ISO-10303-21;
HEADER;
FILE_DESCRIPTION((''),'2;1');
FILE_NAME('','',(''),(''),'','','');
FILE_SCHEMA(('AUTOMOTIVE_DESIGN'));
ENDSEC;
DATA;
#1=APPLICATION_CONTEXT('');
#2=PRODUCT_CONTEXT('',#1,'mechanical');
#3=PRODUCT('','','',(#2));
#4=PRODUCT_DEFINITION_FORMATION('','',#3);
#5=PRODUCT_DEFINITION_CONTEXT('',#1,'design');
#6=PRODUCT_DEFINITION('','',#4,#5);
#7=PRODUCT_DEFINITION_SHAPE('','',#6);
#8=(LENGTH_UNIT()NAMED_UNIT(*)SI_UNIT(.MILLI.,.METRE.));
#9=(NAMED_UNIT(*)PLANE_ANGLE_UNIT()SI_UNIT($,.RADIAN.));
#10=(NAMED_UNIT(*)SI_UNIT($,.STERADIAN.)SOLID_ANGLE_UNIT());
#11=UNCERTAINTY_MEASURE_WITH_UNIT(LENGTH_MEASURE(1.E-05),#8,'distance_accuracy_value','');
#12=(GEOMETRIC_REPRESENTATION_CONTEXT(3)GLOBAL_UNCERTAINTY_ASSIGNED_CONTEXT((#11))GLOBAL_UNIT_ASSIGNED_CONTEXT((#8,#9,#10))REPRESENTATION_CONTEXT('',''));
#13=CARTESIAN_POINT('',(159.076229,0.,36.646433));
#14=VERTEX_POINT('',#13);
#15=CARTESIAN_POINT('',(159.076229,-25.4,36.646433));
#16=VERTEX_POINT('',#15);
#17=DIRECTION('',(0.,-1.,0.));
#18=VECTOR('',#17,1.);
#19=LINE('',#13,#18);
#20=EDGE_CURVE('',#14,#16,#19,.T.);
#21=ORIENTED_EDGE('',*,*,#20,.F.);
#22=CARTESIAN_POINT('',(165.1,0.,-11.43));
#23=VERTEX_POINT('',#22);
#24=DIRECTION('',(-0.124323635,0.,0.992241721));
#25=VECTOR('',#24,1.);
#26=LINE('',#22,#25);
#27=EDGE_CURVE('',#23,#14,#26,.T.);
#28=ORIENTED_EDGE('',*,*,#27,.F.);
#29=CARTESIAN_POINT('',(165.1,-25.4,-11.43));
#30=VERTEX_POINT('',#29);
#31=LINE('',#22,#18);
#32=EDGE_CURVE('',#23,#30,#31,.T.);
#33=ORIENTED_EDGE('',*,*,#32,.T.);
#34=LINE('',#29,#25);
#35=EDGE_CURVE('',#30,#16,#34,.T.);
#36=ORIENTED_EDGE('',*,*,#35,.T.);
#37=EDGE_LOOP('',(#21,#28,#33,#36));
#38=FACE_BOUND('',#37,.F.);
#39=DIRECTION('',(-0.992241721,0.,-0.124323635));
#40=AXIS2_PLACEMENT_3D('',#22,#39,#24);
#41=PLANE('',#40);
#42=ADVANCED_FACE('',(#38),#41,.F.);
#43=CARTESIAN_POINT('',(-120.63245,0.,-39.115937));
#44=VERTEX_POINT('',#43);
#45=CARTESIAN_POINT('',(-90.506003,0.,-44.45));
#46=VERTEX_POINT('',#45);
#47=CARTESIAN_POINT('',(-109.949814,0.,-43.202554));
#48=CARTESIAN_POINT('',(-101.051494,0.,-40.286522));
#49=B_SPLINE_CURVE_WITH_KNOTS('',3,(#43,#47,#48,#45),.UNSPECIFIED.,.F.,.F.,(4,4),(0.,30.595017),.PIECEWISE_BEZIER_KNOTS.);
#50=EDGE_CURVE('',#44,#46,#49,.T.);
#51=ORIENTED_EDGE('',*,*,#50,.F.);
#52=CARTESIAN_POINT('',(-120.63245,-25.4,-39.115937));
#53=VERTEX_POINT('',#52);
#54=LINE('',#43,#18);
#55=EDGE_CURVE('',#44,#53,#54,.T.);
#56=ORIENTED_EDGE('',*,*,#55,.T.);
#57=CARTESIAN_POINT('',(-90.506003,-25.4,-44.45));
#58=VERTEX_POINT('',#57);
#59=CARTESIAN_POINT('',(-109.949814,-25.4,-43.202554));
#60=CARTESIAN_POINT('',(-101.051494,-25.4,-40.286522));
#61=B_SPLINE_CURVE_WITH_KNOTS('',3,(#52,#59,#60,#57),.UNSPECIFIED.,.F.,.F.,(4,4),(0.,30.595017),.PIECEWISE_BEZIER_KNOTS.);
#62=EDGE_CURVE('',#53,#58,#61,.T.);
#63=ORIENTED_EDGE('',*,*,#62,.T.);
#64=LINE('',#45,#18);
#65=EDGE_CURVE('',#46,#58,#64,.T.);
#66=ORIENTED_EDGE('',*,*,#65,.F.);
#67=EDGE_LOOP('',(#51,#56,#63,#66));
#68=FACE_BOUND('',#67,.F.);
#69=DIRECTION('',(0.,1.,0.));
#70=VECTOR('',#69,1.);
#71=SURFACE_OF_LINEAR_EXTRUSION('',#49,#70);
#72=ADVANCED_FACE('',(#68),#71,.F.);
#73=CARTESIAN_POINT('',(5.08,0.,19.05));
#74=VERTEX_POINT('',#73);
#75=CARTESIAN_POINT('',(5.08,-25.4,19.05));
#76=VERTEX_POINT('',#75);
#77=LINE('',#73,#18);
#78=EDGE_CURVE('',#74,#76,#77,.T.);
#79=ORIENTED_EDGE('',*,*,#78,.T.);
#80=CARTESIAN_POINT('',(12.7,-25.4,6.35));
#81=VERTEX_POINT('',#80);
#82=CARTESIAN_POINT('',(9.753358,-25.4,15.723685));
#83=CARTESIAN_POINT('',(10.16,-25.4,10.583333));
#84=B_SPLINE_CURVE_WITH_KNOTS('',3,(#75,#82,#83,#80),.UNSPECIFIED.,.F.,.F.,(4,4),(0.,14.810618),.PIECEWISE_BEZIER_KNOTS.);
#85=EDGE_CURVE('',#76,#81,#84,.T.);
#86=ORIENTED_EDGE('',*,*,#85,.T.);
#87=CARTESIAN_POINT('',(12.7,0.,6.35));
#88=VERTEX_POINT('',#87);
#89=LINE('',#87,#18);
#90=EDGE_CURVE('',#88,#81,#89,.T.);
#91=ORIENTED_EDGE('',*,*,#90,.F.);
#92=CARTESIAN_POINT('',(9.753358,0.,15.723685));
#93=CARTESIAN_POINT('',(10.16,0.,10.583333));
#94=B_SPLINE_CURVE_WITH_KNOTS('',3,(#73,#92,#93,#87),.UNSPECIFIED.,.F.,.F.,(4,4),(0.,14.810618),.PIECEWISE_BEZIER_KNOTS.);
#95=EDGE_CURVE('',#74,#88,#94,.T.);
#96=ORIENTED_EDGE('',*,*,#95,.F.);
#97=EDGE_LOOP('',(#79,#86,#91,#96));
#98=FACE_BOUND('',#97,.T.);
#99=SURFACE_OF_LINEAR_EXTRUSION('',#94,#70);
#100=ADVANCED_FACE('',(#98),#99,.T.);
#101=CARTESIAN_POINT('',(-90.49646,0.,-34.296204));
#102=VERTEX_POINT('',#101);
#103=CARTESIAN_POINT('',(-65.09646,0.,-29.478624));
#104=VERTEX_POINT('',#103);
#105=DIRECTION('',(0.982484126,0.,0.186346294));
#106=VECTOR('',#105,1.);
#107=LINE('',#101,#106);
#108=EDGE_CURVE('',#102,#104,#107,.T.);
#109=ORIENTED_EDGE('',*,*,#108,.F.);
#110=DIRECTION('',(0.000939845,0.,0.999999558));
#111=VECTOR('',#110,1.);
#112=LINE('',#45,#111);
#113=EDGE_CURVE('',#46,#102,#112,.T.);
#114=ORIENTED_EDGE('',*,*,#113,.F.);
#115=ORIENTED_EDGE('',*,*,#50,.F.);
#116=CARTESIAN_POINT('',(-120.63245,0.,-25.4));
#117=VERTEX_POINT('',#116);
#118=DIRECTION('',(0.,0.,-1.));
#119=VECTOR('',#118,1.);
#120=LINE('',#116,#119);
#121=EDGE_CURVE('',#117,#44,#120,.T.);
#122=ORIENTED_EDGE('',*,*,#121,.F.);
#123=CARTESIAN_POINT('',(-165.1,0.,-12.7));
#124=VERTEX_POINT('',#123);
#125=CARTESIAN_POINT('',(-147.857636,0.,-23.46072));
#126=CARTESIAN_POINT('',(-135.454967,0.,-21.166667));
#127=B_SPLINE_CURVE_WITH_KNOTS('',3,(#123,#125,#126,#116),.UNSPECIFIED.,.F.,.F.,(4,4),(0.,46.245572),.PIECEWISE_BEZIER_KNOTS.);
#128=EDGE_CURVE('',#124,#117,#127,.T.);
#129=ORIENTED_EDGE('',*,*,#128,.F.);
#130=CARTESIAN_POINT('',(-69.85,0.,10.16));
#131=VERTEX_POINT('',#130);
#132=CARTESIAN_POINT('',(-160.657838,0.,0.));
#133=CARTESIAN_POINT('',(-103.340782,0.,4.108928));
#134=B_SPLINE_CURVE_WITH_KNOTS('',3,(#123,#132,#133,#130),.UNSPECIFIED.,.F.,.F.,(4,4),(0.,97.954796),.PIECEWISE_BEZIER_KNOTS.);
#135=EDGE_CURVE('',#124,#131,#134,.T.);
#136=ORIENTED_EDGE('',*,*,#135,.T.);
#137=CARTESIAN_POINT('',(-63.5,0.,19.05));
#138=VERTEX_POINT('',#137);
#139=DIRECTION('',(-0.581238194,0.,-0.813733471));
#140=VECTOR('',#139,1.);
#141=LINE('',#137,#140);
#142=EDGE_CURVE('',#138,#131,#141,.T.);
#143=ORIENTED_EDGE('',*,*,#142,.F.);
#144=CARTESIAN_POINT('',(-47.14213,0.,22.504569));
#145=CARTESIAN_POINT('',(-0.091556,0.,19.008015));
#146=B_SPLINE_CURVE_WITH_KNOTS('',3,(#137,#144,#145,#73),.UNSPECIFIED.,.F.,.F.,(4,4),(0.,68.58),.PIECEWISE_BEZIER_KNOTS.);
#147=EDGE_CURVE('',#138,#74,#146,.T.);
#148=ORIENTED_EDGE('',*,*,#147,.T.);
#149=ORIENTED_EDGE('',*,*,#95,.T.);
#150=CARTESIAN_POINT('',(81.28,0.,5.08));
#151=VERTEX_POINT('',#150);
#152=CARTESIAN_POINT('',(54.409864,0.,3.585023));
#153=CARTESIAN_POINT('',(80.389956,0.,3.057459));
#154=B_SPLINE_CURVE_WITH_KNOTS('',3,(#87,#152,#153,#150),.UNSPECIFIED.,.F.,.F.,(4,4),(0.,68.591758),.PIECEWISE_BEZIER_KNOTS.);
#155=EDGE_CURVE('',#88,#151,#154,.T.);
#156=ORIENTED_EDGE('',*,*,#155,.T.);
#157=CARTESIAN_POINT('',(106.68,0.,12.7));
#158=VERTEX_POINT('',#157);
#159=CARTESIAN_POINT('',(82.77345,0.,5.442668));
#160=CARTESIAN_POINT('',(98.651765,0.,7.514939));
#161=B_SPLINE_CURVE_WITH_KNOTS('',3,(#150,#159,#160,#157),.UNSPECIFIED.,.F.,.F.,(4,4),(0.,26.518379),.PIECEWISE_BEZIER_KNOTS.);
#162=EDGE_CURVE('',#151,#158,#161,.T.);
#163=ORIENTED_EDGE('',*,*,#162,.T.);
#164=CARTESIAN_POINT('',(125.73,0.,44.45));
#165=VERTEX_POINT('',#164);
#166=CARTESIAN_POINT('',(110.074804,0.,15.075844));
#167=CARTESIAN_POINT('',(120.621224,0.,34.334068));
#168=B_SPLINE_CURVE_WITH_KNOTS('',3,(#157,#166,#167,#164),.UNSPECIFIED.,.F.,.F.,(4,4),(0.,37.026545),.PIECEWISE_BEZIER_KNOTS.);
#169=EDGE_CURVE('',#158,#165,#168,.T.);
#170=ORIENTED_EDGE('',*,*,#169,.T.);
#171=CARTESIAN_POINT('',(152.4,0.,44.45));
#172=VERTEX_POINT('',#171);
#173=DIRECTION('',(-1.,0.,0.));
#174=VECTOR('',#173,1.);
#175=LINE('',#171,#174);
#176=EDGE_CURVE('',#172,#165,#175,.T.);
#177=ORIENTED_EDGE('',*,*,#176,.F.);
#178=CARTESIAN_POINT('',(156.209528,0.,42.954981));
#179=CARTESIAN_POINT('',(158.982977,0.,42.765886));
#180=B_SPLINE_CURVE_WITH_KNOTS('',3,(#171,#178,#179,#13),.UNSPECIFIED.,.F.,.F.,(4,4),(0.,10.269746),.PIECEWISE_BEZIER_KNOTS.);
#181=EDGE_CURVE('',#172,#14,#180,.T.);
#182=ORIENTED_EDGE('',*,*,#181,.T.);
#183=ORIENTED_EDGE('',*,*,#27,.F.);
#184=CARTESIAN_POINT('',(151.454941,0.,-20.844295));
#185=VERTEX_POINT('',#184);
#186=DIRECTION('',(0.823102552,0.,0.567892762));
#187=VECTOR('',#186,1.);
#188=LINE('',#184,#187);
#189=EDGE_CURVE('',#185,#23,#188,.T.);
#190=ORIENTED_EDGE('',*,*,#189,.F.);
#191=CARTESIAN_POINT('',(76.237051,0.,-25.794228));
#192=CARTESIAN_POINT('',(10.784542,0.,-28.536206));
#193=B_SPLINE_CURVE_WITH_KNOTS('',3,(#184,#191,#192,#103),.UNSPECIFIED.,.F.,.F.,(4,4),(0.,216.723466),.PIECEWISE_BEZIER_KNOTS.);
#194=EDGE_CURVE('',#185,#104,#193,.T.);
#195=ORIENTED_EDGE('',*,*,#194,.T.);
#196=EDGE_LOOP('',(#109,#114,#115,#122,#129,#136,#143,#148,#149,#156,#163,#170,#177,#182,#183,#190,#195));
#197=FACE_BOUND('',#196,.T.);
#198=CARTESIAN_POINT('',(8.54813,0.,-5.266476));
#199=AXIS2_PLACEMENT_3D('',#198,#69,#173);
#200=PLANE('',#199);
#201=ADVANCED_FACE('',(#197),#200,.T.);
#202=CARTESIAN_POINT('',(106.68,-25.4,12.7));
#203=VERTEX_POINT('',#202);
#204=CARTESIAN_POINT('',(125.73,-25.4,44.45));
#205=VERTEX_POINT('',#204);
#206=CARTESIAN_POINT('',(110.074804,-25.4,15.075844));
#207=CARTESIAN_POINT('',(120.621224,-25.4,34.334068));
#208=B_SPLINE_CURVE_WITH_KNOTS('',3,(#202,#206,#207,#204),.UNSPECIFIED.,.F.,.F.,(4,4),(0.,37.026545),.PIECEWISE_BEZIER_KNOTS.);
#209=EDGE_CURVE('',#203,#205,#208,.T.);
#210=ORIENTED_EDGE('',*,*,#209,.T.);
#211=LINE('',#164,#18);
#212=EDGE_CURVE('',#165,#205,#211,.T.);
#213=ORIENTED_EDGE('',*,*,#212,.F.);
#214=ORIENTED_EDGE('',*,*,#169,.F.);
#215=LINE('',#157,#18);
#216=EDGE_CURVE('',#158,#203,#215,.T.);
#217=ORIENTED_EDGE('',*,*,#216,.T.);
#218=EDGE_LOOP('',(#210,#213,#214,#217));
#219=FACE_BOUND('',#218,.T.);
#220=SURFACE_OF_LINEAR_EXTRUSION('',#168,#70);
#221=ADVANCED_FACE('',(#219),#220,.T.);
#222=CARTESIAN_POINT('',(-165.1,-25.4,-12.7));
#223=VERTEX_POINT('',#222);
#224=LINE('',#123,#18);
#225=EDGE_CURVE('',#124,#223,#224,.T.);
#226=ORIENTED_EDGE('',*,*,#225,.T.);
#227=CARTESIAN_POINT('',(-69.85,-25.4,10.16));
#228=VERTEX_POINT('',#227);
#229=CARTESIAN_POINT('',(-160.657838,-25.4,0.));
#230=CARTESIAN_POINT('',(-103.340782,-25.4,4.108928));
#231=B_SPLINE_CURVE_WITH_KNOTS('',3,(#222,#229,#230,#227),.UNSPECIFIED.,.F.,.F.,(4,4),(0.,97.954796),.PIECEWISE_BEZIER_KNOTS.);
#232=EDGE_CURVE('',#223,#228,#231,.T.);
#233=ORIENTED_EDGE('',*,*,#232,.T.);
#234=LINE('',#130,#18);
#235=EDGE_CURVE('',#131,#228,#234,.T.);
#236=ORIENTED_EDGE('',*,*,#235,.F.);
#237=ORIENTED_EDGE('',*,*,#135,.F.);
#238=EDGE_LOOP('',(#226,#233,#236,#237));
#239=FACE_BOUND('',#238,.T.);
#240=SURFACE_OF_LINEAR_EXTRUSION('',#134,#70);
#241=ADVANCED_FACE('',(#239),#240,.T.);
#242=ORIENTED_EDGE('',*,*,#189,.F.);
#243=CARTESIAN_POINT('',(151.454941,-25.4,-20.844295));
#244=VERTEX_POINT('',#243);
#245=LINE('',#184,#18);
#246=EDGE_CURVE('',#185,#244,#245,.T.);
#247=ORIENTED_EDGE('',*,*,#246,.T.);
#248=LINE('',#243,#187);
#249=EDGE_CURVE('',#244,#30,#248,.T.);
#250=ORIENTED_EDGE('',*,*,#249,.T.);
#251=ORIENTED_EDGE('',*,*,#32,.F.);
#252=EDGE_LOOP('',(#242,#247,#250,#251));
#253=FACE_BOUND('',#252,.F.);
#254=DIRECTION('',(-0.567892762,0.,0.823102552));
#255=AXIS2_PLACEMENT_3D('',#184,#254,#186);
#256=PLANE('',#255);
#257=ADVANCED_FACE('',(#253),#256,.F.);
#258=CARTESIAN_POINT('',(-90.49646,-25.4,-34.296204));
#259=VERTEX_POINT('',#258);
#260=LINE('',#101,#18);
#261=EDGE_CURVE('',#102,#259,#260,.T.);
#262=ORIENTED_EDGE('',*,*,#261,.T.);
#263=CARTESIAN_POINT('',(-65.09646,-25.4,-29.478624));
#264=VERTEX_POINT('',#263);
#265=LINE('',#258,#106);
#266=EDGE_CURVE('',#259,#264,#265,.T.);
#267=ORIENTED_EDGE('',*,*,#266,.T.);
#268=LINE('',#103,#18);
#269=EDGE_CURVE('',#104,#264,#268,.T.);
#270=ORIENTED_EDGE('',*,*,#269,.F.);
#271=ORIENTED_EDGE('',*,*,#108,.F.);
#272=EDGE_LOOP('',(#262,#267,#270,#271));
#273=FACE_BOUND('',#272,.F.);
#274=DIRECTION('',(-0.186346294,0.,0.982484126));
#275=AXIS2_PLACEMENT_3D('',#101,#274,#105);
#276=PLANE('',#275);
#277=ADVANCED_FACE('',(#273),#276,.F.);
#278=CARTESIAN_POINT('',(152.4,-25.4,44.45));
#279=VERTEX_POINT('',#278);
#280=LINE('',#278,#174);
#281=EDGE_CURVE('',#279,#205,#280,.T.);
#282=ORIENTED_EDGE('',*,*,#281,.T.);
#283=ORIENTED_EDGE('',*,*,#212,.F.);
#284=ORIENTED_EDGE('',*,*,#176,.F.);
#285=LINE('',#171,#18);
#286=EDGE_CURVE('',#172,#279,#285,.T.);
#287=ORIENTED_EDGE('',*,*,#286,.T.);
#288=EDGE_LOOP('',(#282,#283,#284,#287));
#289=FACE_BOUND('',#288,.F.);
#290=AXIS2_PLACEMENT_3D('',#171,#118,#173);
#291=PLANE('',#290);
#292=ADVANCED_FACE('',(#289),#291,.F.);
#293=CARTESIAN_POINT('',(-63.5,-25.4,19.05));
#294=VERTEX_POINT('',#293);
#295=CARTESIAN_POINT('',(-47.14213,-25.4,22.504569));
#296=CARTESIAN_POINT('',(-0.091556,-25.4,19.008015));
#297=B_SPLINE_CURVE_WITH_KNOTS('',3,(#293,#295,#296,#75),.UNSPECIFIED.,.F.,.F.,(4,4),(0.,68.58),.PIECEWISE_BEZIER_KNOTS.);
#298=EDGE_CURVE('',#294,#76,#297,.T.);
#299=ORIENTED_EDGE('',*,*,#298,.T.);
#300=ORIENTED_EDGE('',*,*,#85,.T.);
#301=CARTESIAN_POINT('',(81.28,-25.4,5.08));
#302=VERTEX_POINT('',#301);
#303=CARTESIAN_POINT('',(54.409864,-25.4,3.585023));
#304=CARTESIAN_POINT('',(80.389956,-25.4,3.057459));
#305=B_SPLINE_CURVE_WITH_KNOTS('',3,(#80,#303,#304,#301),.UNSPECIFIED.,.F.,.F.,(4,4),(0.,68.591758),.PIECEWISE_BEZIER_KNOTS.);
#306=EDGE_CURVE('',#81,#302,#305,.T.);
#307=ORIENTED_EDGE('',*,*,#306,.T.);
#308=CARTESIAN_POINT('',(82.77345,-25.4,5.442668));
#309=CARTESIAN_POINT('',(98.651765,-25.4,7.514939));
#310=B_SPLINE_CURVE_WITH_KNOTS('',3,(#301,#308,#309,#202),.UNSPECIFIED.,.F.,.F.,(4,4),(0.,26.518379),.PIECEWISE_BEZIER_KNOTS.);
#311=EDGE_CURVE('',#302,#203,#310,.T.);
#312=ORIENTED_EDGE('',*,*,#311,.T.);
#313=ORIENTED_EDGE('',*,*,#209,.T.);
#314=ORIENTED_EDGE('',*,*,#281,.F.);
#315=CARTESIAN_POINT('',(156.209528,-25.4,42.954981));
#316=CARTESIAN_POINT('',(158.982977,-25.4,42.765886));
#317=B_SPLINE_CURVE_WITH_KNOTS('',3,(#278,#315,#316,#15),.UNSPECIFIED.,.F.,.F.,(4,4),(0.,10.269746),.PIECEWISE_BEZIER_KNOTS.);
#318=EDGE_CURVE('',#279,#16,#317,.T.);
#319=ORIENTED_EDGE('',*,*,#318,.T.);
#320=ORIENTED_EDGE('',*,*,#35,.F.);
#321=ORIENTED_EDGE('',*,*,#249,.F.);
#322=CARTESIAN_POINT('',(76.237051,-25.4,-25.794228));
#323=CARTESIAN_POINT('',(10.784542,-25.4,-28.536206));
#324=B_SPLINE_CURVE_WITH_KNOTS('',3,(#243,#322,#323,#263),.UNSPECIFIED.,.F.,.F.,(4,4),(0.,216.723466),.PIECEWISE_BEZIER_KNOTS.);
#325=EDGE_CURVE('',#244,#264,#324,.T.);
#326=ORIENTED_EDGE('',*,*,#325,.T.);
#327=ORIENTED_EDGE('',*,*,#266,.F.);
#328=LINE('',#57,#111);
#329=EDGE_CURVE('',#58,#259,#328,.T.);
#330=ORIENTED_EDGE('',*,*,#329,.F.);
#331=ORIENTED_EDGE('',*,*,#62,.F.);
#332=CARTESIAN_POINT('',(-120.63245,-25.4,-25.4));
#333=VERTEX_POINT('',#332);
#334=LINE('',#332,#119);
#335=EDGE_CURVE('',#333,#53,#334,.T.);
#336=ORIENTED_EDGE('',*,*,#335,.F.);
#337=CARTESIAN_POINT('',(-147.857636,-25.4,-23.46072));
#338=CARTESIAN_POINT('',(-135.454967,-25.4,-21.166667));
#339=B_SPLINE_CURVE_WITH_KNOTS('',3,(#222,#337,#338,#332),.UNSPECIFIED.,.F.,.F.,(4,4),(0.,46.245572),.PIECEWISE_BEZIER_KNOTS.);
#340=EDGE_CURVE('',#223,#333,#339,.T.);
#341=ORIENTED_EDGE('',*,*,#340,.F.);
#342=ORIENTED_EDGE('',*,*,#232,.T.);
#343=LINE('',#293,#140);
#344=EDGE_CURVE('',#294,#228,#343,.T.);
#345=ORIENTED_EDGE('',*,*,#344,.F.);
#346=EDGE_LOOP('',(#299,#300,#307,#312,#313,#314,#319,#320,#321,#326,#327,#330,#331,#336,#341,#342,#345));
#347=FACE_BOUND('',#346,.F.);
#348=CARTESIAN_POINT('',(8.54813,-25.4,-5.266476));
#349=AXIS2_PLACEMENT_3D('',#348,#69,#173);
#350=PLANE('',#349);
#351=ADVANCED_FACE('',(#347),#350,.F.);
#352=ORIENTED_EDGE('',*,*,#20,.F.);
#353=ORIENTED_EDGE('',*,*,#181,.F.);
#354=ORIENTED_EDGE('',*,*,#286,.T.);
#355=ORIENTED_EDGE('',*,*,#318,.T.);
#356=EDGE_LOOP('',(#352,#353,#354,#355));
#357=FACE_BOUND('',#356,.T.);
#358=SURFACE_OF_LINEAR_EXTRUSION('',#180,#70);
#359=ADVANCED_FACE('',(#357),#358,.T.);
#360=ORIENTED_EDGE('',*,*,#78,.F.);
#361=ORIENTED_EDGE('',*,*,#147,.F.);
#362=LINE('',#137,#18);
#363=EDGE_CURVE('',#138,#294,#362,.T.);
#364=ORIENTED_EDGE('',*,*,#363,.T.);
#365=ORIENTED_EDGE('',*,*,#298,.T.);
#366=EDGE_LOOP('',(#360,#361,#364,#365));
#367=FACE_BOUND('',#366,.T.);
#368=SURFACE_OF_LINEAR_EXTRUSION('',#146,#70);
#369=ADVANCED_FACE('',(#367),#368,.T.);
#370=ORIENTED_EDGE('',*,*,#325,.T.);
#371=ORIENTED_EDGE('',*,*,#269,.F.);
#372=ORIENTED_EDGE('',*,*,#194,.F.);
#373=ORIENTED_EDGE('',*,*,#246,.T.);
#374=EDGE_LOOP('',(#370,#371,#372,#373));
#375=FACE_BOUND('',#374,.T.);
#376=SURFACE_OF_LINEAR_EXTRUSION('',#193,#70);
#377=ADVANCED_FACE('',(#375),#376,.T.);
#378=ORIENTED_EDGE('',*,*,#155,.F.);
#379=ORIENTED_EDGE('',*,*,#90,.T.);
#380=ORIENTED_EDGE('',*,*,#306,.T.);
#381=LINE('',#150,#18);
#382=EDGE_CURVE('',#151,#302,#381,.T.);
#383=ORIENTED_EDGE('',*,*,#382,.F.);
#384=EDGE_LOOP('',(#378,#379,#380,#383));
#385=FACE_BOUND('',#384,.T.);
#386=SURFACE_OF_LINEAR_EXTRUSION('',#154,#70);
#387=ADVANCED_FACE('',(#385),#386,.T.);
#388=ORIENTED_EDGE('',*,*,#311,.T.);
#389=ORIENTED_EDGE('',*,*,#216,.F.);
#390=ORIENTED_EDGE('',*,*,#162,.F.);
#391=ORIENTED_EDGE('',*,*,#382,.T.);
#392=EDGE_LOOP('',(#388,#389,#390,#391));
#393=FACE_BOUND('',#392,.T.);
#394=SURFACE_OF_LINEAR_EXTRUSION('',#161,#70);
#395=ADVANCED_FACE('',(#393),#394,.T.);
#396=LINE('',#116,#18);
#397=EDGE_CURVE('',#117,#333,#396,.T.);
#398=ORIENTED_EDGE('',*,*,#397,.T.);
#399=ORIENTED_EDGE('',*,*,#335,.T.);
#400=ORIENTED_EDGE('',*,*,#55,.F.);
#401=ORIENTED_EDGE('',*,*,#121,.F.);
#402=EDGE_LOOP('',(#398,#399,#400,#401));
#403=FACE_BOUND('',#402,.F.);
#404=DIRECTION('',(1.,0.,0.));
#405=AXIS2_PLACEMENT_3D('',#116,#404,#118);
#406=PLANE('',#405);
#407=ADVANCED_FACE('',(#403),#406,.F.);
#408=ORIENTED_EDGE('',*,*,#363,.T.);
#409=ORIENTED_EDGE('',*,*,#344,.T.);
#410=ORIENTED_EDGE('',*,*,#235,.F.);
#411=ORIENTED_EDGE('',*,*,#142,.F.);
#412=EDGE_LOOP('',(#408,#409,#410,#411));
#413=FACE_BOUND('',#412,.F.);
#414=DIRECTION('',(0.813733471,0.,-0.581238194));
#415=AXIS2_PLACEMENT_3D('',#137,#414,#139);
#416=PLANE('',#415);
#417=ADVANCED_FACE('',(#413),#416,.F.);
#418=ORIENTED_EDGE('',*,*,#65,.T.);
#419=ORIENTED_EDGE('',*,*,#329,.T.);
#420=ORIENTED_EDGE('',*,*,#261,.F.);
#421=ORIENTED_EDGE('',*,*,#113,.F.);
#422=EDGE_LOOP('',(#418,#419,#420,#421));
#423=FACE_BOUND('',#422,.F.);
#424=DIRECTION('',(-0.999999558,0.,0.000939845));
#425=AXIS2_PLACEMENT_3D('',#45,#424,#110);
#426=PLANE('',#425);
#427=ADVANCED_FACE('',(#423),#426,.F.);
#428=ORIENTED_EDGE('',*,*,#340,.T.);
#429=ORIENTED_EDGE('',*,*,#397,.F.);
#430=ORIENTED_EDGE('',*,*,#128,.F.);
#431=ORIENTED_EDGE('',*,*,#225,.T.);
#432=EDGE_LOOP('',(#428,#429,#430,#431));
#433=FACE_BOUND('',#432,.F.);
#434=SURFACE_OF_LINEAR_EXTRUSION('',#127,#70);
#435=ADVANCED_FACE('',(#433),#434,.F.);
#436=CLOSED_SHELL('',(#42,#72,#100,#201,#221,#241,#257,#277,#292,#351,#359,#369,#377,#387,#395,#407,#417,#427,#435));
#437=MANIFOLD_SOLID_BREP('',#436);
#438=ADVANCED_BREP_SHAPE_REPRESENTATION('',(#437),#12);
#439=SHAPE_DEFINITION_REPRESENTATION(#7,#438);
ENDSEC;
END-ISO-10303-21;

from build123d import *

# Parameters (mm, degrees)
F1_DEPTH = 25.4


with BuildPart() as f1:
    # F0 (on Front) → F1 (new body)
    with BuildSketch(Plane.XZ):
        with BuildLine():
            add(Edge.make_bspline(
                [(-165.1, -12.7), (-160.657838, 0), (-103.340782, 4.108928), (-69.85, 10.16)],
                knots=[0, 0, 0, 0, 97.954796, 97.954796, 97.954796, 97.954796], degree=3))
            add(Edge.make_bspline(
                [(-165.1, -12.7), (-147.857636, -23.46072), (-135.454967, -21.166667), (-120.63245, -25.4)],
                knots=[0, 0, 0, 0, 46.245572, 46.245572, 46.245572, 46.245572], degree=3))
            Line((-120.63245, -25.4), (-120.63245, -39.115937))
            add(Edge.make_bspline(
                [(-120.63245, -39.115937), (-109.949814, -43.202554), (-101.051494, -40.286522), (-90.506003, -44.45)],
                knots=[0, 0, 0, 0, 30.595017, 30.595017, 30.595017, 30.595017], degree=3))
            Line((-90.506003, -44.45), (-90.49646, -34.296204))
            Line((-90.49646, -34.296204), (-65.09646, -29.478624))
            add(Edge.make_bspline(
                [(151.454941, -20.844295), (76.237051, -25.794228), (10.784542, -28.536206), (-65.09646, -29.478624)],
                knots=[0, 0, 0, 0, 216.723466, 216.723466, 216.723466, 216.723466], degree=3))
            Line((151.454941, -20.844295), (165.1, -11.43))
            Line((165.1, -11.43), (159.076229, 36.646433))
            add(Edge.make_bspline(
                [(152.4, 44.45), (156.209528, 42.954981), (158.982977, 42.765886), (159.076229, 36.646433)],
                knots=[0, 0, 0, 0, 10.269746, 10.269746, 10.269746, 10.269746], degree=3))
            Line((152.4, 44.45), (125.73, 44.45))
            add(Edge.make_bspline(
                [(106.68, 12.7), (110.074804, 15.075844), (120.621224, 34.334068), (125.73, 44.45)],
                knots=[0, 0, 0, 0, 37.026545, 37.026545, 37.026545, 37.026545], degree=3))
            add(Edge.make_bspline(
                [(81.28, 5.08), (82.77345, 5.442668), (98.651765, 7.514939), (106.68, 12.7)],
                knots=[0, 0, 0, 0, 26.518379, 26.518379, 26.518379, 26.518379], degree=3))
            add(Edge.make_bspline(
                [(12.7, 6.35), (54.409864, 3.585023), (80.389956, 3.057459), (81.28, 5.08)],
                knots=[0, 0, 0, 0, 68.591758, 68.591758, 68.591758, 68.591758], degree=3))
            add(Edge.make_bspline(
                [(5.08, 19.05), (9.753358, 15.723685), (10.16, 10.583333), (12.7, 6.35)],
                knots=[0, 0, 0, 0, 14.810618, 14.810618, 14.810618, 14.810618], degree=3))
            add(Edge.make_bspline(
                [(-63.5, 19.05), (-47.14213, 22.504569), (-0.091556, 19.008015), (5.08, 19.05)],
                knots=[0, 0, 0, 0, 68.58, 68.58, 68.58, 68.58], degree=3))
            Line((-63.5, 19.05), (-69.85, 10.16))
        make_face()
    extrude(amount=F1_DEPTH)


solid = f1.part
